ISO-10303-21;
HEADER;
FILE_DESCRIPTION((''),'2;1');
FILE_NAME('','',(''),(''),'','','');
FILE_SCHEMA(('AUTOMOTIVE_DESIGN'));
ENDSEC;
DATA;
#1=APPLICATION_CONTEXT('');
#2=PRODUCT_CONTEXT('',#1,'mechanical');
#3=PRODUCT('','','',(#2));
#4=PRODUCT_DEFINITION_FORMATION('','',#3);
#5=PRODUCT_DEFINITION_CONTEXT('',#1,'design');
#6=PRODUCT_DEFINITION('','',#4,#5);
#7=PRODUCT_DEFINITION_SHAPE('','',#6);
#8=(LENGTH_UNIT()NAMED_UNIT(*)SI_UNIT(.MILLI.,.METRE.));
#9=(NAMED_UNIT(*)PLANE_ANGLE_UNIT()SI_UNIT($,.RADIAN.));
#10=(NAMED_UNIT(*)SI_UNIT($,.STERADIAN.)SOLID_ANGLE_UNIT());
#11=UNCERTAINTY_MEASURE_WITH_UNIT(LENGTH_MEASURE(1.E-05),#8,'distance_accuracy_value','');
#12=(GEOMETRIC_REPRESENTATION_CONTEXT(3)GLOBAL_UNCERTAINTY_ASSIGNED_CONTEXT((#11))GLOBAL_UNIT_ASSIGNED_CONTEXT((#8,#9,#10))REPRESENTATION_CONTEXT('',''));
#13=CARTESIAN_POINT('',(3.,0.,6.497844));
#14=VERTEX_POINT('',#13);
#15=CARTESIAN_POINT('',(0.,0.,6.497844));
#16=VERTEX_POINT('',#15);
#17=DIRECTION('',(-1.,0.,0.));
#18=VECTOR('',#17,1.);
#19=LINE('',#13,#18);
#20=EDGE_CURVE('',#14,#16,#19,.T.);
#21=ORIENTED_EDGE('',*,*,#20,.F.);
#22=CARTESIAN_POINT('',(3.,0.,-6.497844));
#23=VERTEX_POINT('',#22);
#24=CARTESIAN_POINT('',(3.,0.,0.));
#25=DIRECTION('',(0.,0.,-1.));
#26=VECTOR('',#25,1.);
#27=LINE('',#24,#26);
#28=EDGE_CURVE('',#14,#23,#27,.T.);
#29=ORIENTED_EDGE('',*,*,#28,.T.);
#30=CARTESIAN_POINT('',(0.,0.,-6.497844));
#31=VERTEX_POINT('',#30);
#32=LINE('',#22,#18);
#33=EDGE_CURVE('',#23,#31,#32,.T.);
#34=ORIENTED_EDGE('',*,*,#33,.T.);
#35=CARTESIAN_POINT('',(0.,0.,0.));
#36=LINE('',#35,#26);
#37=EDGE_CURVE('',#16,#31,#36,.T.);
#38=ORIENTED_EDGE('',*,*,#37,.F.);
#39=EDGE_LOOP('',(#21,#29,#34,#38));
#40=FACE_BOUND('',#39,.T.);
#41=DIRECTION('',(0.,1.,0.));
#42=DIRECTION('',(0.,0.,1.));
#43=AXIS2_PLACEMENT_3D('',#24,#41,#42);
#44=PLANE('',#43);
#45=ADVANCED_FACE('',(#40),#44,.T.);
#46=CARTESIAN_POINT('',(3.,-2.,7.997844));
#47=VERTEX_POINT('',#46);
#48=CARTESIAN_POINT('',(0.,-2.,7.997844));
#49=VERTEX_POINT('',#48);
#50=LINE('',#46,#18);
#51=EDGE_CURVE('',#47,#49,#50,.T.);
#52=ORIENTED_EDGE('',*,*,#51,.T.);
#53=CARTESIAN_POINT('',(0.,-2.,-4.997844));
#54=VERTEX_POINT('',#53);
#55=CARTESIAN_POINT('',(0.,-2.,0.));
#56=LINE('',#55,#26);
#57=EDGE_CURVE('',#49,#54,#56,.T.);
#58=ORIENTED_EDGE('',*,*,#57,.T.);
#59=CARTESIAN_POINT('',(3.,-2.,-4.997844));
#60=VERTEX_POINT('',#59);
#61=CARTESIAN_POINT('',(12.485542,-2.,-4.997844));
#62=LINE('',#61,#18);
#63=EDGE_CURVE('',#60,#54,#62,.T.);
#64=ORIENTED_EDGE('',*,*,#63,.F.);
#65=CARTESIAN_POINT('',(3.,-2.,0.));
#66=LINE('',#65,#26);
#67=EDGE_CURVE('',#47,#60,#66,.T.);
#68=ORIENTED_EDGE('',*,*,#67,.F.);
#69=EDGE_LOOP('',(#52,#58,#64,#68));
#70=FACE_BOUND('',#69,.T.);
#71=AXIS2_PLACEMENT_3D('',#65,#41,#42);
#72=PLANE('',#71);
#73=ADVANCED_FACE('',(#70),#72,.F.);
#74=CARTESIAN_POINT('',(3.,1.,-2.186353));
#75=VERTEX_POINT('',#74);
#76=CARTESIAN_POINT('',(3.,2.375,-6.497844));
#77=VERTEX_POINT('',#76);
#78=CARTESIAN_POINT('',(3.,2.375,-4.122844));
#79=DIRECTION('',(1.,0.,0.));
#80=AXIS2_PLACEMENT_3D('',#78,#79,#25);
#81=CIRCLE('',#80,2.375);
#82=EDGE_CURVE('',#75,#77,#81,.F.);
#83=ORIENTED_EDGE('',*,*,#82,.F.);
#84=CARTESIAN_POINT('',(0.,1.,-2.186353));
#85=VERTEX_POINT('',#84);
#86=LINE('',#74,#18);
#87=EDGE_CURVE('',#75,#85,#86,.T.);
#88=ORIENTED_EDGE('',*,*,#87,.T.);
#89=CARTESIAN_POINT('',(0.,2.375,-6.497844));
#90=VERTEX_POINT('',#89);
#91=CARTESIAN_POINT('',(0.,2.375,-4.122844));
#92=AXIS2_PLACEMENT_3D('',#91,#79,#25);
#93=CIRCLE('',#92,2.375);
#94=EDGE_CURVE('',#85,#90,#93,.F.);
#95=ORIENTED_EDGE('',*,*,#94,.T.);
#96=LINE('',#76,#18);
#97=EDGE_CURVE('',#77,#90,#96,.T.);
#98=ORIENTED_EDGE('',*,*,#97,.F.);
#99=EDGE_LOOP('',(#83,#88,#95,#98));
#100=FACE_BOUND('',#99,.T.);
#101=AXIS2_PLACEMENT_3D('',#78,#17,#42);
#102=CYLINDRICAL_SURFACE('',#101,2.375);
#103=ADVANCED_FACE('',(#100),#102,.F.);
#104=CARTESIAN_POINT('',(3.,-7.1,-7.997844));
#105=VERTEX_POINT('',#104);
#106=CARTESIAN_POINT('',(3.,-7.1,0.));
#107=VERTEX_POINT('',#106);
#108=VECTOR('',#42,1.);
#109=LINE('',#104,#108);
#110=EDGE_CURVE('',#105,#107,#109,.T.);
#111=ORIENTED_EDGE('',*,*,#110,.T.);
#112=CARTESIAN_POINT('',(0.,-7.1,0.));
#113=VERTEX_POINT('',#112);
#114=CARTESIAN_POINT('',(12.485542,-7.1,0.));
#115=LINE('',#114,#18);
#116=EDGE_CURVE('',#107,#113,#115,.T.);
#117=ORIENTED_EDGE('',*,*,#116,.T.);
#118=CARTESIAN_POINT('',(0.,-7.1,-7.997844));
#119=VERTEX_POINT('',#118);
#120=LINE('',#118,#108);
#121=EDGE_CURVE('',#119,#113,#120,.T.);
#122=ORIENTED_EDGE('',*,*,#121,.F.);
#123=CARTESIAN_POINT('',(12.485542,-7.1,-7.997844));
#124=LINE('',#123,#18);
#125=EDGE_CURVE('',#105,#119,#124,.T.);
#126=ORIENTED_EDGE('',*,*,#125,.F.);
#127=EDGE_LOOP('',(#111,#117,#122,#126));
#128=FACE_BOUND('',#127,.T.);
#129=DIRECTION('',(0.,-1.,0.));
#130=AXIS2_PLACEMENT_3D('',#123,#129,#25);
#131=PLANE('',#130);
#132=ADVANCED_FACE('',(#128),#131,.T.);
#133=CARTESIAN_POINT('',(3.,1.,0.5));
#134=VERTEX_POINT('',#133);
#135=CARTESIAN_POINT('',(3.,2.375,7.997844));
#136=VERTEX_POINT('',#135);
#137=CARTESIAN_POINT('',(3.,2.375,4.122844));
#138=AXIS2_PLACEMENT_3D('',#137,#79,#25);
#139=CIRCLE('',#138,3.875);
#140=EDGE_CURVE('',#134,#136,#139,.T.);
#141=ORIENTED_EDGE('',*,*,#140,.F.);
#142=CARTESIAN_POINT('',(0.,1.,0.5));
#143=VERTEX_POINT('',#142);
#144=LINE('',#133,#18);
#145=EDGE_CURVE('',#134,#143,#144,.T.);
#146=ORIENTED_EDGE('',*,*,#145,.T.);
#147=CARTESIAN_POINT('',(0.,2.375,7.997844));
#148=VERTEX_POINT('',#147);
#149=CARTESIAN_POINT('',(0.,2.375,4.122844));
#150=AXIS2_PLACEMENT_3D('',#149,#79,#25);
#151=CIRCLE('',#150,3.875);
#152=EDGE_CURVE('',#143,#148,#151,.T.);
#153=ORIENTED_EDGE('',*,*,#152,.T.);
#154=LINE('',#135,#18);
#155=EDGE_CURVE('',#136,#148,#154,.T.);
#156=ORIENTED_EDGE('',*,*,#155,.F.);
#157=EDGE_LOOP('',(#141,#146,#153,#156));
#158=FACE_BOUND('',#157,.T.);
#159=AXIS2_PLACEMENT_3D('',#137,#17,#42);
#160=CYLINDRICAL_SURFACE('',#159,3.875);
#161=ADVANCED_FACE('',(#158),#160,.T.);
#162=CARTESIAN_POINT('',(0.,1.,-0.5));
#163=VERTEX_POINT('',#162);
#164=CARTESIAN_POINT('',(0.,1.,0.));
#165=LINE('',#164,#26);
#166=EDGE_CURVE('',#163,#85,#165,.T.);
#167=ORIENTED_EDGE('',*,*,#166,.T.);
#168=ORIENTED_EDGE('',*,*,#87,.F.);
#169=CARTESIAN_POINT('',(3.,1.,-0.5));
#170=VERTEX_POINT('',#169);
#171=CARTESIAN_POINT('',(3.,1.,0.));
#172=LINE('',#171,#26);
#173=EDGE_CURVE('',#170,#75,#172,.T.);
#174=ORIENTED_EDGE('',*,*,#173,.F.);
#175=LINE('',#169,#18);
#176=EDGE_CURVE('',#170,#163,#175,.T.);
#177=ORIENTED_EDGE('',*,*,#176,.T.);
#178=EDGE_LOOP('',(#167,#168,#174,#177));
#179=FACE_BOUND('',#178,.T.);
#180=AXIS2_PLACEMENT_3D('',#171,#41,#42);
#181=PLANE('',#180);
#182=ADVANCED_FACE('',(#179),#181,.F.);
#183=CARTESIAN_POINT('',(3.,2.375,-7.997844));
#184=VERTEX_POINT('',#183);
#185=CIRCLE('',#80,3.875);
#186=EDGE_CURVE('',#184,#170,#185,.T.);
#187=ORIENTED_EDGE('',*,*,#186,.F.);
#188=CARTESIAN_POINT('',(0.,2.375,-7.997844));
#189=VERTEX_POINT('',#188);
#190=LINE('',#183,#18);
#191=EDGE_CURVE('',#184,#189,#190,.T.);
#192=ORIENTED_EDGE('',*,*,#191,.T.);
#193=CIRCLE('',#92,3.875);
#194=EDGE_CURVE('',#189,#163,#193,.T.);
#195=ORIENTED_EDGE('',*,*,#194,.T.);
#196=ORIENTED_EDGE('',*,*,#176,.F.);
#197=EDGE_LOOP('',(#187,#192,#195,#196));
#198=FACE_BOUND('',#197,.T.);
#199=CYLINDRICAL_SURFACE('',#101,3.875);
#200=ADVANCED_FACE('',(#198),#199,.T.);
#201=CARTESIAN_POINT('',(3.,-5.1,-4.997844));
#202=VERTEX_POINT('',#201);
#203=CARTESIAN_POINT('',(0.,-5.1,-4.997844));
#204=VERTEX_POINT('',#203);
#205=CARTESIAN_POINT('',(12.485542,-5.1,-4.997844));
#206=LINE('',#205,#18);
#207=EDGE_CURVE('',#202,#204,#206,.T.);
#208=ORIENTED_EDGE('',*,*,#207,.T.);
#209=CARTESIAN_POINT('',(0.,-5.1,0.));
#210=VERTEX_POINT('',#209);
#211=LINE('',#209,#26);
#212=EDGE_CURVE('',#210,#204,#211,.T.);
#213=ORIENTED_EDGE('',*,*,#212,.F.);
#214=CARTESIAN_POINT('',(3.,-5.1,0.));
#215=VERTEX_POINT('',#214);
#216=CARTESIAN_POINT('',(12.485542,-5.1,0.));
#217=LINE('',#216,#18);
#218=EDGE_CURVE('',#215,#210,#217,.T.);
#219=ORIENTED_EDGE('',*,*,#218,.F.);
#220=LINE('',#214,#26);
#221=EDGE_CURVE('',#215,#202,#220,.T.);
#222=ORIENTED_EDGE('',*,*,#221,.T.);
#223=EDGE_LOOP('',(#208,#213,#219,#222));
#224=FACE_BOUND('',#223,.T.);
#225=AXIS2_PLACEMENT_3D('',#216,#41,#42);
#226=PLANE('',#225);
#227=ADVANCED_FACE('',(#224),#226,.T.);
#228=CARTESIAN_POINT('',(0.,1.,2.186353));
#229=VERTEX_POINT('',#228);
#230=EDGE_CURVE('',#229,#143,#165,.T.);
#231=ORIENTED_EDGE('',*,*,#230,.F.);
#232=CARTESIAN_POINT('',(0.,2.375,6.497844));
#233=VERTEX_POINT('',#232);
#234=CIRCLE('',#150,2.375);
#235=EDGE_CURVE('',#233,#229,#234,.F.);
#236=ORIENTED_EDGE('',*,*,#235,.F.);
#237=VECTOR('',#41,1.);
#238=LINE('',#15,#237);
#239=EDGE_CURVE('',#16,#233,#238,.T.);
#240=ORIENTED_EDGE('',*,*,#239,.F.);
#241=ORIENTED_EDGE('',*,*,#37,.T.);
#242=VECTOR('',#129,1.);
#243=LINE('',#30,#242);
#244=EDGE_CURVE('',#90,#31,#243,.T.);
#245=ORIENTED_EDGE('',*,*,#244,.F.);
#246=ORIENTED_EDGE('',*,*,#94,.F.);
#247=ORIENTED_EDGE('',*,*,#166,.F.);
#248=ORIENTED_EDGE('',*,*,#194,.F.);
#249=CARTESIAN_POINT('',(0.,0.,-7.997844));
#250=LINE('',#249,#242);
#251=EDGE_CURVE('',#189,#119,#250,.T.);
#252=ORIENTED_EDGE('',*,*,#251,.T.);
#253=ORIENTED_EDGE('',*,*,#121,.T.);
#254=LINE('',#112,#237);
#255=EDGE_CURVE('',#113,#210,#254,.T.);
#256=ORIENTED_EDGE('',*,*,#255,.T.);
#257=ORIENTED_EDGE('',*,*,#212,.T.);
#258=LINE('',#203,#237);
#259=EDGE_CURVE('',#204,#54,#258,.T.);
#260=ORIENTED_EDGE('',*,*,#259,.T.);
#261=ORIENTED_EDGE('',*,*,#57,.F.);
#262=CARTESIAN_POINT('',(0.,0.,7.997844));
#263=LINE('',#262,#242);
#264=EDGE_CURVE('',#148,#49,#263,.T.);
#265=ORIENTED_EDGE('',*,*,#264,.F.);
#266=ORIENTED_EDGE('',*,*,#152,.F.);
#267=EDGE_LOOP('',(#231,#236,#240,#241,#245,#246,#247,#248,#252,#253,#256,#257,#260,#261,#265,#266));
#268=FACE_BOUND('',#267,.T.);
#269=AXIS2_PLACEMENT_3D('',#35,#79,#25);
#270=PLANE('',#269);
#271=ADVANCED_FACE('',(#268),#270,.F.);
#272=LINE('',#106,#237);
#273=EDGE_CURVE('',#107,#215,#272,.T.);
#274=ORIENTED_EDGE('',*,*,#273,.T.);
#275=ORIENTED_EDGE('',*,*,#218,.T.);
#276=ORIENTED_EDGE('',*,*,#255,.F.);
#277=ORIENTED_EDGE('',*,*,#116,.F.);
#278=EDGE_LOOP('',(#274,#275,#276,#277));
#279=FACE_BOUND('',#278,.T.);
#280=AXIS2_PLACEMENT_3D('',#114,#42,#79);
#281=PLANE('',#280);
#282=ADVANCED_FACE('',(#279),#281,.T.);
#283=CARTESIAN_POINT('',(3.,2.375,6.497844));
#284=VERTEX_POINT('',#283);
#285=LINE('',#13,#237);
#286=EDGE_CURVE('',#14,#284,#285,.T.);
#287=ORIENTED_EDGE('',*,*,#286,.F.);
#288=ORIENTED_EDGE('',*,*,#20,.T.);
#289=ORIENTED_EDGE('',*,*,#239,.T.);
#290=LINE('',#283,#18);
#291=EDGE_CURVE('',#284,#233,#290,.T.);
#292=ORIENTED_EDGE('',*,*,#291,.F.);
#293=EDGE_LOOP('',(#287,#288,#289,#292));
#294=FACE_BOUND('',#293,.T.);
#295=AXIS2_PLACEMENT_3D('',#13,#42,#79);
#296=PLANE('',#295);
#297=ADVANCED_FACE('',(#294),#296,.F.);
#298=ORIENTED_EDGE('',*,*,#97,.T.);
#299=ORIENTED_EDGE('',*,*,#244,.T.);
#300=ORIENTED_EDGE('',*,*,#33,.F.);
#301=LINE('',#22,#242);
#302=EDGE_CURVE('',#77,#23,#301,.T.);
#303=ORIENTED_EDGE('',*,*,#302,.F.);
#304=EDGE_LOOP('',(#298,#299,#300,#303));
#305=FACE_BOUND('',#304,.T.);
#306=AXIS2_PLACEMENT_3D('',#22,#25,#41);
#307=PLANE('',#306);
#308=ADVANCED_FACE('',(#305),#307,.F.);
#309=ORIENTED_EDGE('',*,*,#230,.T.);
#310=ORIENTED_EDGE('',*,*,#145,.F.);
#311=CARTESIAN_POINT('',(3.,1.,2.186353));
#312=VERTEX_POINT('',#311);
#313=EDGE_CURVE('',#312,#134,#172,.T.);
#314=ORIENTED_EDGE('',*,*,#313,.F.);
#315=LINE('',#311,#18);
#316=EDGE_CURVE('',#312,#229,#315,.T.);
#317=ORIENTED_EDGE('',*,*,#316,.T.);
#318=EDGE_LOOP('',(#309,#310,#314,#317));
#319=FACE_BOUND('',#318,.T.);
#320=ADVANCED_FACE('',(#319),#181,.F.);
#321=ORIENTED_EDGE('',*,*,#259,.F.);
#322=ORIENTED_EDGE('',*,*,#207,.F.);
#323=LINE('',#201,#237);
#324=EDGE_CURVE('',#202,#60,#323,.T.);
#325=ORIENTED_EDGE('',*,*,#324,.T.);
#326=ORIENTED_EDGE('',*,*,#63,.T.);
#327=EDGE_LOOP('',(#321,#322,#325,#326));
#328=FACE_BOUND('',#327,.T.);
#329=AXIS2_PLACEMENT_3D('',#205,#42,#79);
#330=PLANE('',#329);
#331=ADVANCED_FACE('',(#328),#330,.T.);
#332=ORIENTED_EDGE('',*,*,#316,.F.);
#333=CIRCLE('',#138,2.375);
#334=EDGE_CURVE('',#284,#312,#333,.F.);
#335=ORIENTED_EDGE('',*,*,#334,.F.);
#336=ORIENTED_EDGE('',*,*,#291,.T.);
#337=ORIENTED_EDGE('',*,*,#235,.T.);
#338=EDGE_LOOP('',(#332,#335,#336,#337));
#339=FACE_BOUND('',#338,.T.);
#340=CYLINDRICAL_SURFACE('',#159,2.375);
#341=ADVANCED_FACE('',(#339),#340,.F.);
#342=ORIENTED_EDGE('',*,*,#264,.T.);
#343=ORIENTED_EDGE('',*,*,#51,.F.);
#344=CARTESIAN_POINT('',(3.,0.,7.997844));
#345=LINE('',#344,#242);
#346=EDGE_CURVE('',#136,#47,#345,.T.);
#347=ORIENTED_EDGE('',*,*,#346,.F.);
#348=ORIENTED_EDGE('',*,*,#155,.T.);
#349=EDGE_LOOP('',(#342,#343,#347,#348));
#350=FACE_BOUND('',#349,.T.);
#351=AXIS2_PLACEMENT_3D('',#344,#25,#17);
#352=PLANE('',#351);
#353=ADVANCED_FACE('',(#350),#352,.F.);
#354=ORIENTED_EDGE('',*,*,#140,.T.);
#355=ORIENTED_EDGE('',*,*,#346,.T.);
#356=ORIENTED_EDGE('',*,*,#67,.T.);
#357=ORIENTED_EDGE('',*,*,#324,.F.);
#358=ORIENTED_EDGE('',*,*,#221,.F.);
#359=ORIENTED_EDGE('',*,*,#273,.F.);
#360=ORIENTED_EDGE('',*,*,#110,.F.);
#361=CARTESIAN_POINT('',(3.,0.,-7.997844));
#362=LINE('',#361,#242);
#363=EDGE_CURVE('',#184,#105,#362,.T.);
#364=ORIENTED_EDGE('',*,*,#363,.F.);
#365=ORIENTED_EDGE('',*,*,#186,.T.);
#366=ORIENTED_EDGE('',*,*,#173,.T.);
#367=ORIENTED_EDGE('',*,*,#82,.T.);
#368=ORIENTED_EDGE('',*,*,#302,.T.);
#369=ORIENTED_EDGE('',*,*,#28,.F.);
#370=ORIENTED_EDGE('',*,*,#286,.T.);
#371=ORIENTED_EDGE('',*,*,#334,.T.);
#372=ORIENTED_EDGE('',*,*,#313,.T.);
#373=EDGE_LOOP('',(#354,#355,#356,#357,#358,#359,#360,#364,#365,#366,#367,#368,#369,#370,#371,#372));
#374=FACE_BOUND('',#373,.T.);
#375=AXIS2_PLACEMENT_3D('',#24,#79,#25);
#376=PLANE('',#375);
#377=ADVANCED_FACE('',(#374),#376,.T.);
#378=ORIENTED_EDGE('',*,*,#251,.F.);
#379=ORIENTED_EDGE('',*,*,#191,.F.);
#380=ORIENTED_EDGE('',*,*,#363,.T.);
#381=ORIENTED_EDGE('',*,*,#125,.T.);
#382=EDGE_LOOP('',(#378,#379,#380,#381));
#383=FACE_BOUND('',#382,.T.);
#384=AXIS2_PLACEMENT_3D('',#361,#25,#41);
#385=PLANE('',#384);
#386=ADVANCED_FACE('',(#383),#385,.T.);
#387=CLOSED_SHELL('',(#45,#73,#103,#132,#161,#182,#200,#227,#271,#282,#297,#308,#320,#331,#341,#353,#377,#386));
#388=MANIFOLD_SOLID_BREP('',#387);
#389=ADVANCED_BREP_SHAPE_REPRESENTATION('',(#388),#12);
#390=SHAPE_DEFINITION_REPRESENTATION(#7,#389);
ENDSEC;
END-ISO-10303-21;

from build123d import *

# Parameters (mm, degrees)
BOSS_EXTRUDE1_DEPTH = 3
BOSS_EXTRUDE2_DEPTH = 3


with BuildPart() as part:
    # Sketch1 → Boss-Extrude1 (new body)
    with BuildSketch(Plane(origin=(0, 0, 0), x_dir=(0, 0, -1), z_dir=(1, 0, 0))):
        with BuildLine():
            Line((-7.997844187, 2.375), (-7.997844187, -2))
            Line((-7.997844187, -2), (7.997844187, -2))
            Line((7.997844187, -2), (7.997844187, 2.375))
            ThreePointArc((7.997844187, 2.375), (3.423879317, 6.186439769), (0.5, 1))
            Line((0.5, 1), (2.186352513, 1))
            ThreePointArc((2.186352513, 1), (3.401228889, 4.637718799), (6.497844187, 2.375))
            Line((6.497844187, 2.375), (6.497844187, 0))
            Line((6.497844187, 0), (-6.497844187, 0))
            Line((-6.497844187, 0), (-6.497844187, 2.375))
            ThreePointArc((-6.497844187, 2.375), (-3.401228889, 4.637718799), (-2.186352513, 1))
            Line((-2.186352513, 1), (-0.5, 1))
            ThreePointArc((-0.5, 1), (-3.423879317, 6.186439769), (-7.997844187, 2.375))
        make_face()
    extrude(amount=BOSS_EXTRUDE1_DEPTH)

    # Sketch2 → Boss-Extrude2 (add)
    with BuildSketch(Plane.ZY):
        Polygon((-7.997844187, -2), (-7.997844187, -7.1), (0, -7.1), (0, -5.1), (-4.997844187, -5.1), (-4.997844187, -2), align=None)
    extrude(amount=-BOSS_EXTRUDE2_DEPTH)


solid = part.part
